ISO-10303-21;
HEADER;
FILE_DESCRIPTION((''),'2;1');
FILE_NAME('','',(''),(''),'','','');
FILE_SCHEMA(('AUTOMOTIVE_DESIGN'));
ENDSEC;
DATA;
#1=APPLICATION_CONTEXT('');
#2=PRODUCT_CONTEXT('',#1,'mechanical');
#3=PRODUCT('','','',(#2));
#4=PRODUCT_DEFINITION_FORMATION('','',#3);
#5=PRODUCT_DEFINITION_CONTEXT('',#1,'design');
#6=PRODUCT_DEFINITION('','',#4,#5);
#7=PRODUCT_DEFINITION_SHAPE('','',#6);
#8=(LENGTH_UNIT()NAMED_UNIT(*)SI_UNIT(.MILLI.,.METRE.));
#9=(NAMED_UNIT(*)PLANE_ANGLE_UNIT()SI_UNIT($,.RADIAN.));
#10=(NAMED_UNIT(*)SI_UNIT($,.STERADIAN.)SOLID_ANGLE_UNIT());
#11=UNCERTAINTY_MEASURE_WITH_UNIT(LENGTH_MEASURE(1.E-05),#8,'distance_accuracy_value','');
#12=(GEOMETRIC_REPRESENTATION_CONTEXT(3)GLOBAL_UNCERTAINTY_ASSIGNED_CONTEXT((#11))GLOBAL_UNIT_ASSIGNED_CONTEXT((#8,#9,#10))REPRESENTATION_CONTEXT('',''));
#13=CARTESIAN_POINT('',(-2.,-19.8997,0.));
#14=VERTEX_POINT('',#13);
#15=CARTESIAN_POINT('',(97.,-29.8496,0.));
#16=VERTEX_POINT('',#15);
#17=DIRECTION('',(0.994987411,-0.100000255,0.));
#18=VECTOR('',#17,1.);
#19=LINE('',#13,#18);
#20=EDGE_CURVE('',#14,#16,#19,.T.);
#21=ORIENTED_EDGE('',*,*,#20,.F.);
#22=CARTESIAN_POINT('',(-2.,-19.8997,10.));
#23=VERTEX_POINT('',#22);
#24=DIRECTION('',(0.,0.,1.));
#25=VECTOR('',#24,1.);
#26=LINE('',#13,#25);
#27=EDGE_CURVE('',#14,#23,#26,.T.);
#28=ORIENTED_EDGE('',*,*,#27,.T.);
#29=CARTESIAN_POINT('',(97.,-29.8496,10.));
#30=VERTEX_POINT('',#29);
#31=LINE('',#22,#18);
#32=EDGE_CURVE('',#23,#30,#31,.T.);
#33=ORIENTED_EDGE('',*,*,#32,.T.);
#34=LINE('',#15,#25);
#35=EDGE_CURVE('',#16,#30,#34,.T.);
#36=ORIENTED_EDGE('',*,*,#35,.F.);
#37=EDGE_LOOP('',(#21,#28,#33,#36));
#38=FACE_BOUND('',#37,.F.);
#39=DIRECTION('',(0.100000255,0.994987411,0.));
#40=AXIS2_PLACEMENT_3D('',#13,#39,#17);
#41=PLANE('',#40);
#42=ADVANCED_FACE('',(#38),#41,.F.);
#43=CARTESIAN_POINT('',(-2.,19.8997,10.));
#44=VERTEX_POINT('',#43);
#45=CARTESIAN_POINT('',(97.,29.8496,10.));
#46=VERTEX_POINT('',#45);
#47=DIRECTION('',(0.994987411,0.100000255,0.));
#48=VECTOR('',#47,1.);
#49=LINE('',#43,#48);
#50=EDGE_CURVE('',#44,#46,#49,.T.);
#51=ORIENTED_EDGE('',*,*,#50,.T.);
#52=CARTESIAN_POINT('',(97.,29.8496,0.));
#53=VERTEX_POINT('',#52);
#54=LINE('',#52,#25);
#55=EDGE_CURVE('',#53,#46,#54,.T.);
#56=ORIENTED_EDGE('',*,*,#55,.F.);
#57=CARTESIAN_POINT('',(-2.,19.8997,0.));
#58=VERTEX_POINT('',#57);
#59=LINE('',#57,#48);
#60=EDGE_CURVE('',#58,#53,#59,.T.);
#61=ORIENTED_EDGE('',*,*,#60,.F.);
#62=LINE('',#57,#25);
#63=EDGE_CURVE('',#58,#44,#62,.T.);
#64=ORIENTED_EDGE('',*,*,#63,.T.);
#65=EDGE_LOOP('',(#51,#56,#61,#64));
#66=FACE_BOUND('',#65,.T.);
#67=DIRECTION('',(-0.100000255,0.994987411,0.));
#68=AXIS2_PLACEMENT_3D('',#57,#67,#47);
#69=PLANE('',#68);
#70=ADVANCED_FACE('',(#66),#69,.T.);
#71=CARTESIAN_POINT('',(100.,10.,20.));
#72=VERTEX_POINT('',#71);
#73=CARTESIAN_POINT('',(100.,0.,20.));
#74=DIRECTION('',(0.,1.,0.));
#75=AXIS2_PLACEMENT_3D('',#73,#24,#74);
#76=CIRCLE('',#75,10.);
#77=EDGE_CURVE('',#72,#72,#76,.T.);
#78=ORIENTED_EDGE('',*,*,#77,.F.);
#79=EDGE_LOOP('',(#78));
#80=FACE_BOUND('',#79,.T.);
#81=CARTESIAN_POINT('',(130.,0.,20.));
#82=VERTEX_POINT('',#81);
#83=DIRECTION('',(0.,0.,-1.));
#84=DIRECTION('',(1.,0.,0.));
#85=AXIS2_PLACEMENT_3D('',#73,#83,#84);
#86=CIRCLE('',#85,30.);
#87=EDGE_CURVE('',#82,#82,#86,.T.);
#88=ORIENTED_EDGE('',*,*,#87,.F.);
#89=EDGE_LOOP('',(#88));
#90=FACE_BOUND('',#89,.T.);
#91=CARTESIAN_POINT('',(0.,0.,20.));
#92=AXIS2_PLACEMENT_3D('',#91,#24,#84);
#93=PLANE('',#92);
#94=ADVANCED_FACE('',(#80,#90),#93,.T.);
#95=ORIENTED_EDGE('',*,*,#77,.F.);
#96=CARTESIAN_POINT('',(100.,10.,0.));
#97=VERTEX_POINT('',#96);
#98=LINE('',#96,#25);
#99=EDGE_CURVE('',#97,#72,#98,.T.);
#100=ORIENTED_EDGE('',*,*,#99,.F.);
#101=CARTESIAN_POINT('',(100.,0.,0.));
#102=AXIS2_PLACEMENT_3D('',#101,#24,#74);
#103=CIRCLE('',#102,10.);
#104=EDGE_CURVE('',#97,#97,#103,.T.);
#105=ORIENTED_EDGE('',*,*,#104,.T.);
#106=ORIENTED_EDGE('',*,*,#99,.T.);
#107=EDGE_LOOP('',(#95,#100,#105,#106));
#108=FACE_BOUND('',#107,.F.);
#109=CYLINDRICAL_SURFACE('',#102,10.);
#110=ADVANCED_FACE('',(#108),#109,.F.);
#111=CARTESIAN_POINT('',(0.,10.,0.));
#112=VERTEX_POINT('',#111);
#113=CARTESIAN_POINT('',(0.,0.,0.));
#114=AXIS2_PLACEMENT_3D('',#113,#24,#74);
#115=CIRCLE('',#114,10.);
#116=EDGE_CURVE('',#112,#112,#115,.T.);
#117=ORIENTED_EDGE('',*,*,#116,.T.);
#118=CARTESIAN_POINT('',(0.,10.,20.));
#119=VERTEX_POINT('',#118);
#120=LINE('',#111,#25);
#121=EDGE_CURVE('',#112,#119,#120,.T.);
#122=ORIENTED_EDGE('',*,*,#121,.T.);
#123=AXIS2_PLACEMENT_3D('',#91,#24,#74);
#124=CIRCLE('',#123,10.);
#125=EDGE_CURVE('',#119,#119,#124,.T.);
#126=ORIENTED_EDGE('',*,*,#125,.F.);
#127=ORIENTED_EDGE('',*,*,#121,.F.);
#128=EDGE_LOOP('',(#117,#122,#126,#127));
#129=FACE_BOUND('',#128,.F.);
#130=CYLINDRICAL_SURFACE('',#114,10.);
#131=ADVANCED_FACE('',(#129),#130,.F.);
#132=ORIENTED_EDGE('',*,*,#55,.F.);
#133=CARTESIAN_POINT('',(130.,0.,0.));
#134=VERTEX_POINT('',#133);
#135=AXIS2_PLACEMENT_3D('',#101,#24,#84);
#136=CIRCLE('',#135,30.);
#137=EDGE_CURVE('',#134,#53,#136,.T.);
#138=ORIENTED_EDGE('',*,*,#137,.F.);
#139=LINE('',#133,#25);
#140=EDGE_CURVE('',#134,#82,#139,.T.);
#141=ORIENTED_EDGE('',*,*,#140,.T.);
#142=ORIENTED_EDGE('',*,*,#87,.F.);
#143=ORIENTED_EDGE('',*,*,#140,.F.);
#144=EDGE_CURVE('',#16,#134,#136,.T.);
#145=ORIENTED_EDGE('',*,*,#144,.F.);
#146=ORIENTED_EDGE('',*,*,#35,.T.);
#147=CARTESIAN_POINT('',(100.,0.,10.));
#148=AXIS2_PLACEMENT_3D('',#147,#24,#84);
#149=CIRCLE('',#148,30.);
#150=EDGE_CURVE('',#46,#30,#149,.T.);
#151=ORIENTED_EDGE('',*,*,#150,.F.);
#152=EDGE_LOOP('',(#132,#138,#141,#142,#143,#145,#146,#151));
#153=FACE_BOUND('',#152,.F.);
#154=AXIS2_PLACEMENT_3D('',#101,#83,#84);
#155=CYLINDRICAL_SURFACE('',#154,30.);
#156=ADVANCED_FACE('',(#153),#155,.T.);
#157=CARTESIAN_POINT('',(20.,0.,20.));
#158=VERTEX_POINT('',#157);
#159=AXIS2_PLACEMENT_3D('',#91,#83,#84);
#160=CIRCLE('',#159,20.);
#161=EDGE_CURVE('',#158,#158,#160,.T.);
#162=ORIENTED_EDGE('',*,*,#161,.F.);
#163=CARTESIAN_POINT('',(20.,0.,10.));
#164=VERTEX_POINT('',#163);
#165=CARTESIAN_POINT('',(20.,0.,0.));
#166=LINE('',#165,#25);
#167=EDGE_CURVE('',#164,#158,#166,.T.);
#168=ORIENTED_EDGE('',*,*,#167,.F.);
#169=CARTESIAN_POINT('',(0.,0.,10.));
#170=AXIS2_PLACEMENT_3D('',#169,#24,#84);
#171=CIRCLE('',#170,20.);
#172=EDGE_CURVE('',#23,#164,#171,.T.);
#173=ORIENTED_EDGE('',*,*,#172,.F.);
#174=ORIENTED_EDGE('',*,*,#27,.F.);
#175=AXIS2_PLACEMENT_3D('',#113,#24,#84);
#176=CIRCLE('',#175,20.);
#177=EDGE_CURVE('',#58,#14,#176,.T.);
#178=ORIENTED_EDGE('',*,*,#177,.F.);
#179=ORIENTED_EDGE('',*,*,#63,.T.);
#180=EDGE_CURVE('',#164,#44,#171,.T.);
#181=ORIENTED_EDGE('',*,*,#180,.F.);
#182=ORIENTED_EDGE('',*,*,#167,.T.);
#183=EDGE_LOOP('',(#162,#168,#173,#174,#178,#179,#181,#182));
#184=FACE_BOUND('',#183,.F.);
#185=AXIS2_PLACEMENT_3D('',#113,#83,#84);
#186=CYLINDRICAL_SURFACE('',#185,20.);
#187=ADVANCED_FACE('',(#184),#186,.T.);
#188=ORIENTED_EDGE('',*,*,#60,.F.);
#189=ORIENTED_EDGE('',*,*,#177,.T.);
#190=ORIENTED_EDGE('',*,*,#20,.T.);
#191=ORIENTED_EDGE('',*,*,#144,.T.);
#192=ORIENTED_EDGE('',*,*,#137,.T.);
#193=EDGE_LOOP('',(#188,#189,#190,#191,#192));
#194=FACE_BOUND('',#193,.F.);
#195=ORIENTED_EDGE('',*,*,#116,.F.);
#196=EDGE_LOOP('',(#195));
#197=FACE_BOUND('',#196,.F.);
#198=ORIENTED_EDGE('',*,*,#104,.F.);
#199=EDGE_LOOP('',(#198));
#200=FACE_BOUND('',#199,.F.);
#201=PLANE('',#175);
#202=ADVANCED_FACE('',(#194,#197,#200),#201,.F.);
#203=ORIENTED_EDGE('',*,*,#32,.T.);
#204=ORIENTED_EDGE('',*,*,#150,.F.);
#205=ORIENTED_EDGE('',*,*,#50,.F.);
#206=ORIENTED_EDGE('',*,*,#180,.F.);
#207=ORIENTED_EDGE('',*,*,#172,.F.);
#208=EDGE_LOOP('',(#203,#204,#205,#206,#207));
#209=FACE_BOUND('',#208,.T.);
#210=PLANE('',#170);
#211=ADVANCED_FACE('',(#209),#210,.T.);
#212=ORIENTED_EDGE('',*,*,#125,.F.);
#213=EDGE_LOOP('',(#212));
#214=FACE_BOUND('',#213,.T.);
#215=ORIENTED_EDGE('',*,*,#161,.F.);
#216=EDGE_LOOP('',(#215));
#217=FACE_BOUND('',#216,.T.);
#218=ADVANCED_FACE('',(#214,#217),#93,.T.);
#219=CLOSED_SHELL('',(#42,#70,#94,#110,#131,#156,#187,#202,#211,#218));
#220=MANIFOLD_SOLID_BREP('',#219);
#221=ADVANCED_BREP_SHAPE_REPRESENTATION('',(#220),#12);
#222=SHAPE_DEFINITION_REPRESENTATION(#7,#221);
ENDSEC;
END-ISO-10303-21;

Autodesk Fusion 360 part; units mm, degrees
sketch "Sketch1" plane through (0, 0, 0) normal (0, 0, 1) x (1, 0, 0)
  line L0 (0, 0) -> (100, 0) construction
  line L1 (100, 0) -> (0, 0) construction
  circle A0 centre (0, 0) radius 20
  circle A1 centre (100, 0) radius 30
  line L2 (-2, 19.8997) -> (97, 29.8496)
  line L3 (-2, -19.8997) -> (97, -29.8496)
  circle A2 centre (0, 0) radius 10
  circle A3 centre (100, 0) radius 10
  dimension "d1" = 100
  dimension "d2" = 40
  dimension "d3" = 60
  dimension "d4" = 20
  dimension "d5" = 20
extrude "Extrude1" add sketch "Sketch1" along normal blind 20 contours A0 | A1 | A2 | A3 makes body 1 at (19.9751, 0.9969, 6.6667) makes body 2 at (129.8509, -2.987, 6.6667)
extrude "Extrude2" add sketch "Sketch1" along normal blind 10 contours A0 A1 L2 L3 bodies 1 2
hole "Hole1" at (100, 0, 0) direction (0, 0, 1) diameter 20 depth 40 tip angle 180 bodies 1
hole "Hole2" at (0, 0, 0) direction (0, 0, 1) diameter 20 end through all bodies 1 1
